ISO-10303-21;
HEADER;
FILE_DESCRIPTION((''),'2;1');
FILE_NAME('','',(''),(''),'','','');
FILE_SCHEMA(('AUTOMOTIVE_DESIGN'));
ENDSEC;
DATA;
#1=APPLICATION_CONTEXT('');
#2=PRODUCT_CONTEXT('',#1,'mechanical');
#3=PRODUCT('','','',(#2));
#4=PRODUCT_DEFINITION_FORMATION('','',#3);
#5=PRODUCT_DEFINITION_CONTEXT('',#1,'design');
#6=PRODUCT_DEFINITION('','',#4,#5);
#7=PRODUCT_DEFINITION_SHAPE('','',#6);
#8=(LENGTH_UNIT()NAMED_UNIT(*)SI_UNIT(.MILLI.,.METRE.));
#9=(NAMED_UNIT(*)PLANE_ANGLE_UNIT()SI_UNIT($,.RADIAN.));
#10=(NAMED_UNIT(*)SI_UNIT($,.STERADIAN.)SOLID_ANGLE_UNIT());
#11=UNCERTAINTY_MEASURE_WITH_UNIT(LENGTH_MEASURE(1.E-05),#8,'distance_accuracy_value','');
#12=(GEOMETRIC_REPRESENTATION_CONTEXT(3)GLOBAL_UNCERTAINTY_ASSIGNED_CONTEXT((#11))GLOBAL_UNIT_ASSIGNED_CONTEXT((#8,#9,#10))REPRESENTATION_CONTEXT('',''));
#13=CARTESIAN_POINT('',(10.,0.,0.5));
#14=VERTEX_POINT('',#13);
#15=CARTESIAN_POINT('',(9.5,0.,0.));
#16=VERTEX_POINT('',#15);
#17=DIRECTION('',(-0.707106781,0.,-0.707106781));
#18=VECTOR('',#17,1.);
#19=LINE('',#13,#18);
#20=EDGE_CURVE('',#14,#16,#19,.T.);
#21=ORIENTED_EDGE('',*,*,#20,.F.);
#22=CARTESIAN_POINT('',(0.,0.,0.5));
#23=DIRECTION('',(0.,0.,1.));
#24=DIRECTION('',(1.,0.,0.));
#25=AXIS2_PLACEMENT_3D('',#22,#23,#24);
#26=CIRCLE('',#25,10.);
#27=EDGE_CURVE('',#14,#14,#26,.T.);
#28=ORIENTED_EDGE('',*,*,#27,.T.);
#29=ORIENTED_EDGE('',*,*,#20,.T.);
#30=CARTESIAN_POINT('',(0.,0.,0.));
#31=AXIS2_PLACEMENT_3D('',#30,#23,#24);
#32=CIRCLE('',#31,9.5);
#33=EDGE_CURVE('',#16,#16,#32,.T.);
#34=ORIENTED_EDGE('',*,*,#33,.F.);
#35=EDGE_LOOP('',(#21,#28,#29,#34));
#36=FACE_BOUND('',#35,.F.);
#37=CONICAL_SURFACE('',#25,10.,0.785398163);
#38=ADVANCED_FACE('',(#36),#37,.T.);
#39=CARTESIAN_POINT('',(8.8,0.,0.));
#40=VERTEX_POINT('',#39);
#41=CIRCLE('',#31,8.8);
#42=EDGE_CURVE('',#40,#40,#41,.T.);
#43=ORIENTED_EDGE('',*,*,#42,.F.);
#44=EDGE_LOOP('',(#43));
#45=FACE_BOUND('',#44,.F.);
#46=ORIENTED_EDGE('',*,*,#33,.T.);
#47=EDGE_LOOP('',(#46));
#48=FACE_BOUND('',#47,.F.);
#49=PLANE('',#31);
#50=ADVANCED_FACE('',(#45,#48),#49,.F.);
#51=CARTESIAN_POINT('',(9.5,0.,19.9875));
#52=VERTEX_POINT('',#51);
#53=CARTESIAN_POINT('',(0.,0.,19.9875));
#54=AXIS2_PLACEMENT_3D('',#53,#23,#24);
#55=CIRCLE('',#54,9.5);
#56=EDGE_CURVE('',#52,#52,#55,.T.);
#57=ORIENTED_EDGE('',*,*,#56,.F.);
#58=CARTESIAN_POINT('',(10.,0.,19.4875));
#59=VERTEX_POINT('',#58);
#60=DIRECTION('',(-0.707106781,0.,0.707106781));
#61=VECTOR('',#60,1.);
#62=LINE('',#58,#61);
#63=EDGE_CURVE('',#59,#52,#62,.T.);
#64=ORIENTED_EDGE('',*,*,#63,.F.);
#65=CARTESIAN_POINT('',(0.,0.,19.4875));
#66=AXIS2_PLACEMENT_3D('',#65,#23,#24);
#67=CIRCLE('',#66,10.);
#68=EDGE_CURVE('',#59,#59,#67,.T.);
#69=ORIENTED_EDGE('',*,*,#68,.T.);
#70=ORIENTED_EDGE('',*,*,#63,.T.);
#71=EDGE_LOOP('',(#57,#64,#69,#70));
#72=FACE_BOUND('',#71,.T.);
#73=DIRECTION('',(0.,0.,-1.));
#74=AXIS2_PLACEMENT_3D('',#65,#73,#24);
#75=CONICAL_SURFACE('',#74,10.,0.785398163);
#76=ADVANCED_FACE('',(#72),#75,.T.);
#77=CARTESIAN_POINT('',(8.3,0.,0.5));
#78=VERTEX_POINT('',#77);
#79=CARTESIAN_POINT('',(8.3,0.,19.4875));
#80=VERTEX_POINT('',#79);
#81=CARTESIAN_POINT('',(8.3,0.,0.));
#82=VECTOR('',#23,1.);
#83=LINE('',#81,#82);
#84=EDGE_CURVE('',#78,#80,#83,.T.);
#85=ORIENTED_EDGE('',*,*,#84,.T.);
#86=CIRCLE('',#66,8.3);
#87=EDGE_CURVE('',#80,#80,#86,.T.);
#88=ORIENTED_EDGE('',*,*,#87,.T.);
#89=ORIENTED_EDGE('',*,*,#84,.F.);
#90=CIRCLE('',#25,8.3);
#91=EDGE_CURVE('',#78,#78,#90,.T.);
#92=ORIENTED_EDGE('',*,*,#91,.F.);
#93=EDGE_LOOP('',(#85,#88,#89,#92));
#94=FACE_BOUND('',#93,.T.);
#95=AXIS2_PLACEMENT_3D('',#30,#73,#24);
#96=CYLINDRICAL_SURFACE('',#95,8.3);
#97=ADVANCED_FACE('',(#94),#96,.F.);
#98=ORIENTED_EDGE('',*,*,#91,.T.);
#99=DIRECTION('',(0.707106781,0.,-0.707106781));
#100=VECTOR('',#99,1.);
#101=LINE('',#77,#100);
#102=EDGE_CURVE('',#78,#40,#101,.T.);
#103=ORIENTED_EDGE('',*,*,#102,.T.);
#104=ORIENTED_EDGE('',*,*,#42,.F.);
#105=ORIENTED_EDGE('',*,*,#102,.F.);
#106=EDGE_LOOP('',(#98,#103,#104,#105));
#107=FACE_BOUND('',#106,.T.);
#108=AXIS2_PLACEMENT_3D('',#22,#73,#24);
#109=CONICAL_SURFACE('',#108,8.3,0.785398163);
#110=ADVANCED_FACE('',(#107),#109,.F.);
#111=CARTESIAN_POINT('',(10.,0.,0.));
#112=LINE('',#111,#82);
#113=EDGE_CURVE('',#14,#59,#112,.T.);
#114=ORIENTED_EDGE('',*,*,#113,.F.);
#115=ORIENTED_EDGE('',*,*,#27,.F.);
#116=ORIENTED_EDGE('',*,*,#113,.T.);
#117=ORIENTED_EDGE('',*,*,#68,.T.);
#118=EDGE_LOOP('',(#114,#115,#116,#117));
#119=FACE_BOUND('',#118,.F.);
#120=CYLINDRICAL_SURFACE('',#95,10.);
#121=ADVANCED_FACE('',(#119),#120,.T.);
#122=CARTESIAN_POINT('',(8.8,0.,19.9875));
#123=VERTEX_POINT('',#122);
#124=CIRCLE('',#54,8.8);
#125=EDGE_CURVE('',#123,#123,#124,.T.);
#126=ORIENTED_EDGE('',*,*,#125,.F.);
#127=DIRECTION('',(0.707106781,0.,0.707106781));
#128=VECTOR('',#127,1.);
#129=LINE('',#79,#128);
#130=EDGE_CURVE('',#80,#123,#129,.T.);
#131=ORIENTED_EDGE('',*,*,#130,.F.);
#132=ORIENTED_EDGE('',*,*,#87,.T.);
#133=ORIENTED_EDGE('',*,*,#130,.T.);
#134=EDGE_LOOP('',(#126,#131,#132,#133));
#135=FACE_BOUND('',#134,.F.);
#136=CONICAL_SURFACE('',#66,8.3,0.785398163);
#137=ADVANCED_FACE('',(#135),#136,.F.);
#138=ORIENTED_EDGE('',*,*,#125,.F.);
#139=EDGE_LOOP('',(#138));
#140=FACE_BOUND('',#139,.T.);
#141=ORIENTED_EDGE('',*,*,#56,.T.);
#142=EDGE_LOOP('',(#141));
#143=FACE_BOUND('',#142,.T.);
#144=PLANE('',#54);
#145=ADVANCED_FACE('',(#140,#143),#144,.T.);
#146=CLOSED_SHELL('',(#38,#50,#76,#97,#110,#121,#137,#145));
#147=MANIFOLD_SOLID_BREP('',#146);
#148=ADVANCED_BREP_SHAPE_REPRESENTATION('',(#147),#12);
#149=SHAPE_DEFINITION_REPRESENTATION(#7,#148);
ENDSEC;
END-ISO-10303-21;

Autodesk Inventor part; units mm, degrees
ref_plane "YZ Plane" through (0, 0, 0) normal (1, 0, 0) x (0, 1, 0)
ref_plane "XZ Plane" through (0, 0, 0) normal (0, 1, 0) x (-1, 0, 0)
ref_plane "XY Plane" through (0, 0, 0) normal (0, 0, 1) x (1, 0, 0)
sketch "草图1" plane through (0, 0, 0) normal (0, 0, 1) x (1, 0, 0)
  circle A0 centre (0, 0) radius 10
  circle A1 centre (0, 0) radius 8.3
extrude "拉伸1" add sketch "草图1" along normal blind 19.9875
chamfer "倒角1" distance 0.5 angle 45 4 edges at (-8.3, 0, 19.9875) (-8.3, 0, 0) (-10, 0, 19.9875) (-10, 0, 0)
properties part number "my_attempt_v2"
